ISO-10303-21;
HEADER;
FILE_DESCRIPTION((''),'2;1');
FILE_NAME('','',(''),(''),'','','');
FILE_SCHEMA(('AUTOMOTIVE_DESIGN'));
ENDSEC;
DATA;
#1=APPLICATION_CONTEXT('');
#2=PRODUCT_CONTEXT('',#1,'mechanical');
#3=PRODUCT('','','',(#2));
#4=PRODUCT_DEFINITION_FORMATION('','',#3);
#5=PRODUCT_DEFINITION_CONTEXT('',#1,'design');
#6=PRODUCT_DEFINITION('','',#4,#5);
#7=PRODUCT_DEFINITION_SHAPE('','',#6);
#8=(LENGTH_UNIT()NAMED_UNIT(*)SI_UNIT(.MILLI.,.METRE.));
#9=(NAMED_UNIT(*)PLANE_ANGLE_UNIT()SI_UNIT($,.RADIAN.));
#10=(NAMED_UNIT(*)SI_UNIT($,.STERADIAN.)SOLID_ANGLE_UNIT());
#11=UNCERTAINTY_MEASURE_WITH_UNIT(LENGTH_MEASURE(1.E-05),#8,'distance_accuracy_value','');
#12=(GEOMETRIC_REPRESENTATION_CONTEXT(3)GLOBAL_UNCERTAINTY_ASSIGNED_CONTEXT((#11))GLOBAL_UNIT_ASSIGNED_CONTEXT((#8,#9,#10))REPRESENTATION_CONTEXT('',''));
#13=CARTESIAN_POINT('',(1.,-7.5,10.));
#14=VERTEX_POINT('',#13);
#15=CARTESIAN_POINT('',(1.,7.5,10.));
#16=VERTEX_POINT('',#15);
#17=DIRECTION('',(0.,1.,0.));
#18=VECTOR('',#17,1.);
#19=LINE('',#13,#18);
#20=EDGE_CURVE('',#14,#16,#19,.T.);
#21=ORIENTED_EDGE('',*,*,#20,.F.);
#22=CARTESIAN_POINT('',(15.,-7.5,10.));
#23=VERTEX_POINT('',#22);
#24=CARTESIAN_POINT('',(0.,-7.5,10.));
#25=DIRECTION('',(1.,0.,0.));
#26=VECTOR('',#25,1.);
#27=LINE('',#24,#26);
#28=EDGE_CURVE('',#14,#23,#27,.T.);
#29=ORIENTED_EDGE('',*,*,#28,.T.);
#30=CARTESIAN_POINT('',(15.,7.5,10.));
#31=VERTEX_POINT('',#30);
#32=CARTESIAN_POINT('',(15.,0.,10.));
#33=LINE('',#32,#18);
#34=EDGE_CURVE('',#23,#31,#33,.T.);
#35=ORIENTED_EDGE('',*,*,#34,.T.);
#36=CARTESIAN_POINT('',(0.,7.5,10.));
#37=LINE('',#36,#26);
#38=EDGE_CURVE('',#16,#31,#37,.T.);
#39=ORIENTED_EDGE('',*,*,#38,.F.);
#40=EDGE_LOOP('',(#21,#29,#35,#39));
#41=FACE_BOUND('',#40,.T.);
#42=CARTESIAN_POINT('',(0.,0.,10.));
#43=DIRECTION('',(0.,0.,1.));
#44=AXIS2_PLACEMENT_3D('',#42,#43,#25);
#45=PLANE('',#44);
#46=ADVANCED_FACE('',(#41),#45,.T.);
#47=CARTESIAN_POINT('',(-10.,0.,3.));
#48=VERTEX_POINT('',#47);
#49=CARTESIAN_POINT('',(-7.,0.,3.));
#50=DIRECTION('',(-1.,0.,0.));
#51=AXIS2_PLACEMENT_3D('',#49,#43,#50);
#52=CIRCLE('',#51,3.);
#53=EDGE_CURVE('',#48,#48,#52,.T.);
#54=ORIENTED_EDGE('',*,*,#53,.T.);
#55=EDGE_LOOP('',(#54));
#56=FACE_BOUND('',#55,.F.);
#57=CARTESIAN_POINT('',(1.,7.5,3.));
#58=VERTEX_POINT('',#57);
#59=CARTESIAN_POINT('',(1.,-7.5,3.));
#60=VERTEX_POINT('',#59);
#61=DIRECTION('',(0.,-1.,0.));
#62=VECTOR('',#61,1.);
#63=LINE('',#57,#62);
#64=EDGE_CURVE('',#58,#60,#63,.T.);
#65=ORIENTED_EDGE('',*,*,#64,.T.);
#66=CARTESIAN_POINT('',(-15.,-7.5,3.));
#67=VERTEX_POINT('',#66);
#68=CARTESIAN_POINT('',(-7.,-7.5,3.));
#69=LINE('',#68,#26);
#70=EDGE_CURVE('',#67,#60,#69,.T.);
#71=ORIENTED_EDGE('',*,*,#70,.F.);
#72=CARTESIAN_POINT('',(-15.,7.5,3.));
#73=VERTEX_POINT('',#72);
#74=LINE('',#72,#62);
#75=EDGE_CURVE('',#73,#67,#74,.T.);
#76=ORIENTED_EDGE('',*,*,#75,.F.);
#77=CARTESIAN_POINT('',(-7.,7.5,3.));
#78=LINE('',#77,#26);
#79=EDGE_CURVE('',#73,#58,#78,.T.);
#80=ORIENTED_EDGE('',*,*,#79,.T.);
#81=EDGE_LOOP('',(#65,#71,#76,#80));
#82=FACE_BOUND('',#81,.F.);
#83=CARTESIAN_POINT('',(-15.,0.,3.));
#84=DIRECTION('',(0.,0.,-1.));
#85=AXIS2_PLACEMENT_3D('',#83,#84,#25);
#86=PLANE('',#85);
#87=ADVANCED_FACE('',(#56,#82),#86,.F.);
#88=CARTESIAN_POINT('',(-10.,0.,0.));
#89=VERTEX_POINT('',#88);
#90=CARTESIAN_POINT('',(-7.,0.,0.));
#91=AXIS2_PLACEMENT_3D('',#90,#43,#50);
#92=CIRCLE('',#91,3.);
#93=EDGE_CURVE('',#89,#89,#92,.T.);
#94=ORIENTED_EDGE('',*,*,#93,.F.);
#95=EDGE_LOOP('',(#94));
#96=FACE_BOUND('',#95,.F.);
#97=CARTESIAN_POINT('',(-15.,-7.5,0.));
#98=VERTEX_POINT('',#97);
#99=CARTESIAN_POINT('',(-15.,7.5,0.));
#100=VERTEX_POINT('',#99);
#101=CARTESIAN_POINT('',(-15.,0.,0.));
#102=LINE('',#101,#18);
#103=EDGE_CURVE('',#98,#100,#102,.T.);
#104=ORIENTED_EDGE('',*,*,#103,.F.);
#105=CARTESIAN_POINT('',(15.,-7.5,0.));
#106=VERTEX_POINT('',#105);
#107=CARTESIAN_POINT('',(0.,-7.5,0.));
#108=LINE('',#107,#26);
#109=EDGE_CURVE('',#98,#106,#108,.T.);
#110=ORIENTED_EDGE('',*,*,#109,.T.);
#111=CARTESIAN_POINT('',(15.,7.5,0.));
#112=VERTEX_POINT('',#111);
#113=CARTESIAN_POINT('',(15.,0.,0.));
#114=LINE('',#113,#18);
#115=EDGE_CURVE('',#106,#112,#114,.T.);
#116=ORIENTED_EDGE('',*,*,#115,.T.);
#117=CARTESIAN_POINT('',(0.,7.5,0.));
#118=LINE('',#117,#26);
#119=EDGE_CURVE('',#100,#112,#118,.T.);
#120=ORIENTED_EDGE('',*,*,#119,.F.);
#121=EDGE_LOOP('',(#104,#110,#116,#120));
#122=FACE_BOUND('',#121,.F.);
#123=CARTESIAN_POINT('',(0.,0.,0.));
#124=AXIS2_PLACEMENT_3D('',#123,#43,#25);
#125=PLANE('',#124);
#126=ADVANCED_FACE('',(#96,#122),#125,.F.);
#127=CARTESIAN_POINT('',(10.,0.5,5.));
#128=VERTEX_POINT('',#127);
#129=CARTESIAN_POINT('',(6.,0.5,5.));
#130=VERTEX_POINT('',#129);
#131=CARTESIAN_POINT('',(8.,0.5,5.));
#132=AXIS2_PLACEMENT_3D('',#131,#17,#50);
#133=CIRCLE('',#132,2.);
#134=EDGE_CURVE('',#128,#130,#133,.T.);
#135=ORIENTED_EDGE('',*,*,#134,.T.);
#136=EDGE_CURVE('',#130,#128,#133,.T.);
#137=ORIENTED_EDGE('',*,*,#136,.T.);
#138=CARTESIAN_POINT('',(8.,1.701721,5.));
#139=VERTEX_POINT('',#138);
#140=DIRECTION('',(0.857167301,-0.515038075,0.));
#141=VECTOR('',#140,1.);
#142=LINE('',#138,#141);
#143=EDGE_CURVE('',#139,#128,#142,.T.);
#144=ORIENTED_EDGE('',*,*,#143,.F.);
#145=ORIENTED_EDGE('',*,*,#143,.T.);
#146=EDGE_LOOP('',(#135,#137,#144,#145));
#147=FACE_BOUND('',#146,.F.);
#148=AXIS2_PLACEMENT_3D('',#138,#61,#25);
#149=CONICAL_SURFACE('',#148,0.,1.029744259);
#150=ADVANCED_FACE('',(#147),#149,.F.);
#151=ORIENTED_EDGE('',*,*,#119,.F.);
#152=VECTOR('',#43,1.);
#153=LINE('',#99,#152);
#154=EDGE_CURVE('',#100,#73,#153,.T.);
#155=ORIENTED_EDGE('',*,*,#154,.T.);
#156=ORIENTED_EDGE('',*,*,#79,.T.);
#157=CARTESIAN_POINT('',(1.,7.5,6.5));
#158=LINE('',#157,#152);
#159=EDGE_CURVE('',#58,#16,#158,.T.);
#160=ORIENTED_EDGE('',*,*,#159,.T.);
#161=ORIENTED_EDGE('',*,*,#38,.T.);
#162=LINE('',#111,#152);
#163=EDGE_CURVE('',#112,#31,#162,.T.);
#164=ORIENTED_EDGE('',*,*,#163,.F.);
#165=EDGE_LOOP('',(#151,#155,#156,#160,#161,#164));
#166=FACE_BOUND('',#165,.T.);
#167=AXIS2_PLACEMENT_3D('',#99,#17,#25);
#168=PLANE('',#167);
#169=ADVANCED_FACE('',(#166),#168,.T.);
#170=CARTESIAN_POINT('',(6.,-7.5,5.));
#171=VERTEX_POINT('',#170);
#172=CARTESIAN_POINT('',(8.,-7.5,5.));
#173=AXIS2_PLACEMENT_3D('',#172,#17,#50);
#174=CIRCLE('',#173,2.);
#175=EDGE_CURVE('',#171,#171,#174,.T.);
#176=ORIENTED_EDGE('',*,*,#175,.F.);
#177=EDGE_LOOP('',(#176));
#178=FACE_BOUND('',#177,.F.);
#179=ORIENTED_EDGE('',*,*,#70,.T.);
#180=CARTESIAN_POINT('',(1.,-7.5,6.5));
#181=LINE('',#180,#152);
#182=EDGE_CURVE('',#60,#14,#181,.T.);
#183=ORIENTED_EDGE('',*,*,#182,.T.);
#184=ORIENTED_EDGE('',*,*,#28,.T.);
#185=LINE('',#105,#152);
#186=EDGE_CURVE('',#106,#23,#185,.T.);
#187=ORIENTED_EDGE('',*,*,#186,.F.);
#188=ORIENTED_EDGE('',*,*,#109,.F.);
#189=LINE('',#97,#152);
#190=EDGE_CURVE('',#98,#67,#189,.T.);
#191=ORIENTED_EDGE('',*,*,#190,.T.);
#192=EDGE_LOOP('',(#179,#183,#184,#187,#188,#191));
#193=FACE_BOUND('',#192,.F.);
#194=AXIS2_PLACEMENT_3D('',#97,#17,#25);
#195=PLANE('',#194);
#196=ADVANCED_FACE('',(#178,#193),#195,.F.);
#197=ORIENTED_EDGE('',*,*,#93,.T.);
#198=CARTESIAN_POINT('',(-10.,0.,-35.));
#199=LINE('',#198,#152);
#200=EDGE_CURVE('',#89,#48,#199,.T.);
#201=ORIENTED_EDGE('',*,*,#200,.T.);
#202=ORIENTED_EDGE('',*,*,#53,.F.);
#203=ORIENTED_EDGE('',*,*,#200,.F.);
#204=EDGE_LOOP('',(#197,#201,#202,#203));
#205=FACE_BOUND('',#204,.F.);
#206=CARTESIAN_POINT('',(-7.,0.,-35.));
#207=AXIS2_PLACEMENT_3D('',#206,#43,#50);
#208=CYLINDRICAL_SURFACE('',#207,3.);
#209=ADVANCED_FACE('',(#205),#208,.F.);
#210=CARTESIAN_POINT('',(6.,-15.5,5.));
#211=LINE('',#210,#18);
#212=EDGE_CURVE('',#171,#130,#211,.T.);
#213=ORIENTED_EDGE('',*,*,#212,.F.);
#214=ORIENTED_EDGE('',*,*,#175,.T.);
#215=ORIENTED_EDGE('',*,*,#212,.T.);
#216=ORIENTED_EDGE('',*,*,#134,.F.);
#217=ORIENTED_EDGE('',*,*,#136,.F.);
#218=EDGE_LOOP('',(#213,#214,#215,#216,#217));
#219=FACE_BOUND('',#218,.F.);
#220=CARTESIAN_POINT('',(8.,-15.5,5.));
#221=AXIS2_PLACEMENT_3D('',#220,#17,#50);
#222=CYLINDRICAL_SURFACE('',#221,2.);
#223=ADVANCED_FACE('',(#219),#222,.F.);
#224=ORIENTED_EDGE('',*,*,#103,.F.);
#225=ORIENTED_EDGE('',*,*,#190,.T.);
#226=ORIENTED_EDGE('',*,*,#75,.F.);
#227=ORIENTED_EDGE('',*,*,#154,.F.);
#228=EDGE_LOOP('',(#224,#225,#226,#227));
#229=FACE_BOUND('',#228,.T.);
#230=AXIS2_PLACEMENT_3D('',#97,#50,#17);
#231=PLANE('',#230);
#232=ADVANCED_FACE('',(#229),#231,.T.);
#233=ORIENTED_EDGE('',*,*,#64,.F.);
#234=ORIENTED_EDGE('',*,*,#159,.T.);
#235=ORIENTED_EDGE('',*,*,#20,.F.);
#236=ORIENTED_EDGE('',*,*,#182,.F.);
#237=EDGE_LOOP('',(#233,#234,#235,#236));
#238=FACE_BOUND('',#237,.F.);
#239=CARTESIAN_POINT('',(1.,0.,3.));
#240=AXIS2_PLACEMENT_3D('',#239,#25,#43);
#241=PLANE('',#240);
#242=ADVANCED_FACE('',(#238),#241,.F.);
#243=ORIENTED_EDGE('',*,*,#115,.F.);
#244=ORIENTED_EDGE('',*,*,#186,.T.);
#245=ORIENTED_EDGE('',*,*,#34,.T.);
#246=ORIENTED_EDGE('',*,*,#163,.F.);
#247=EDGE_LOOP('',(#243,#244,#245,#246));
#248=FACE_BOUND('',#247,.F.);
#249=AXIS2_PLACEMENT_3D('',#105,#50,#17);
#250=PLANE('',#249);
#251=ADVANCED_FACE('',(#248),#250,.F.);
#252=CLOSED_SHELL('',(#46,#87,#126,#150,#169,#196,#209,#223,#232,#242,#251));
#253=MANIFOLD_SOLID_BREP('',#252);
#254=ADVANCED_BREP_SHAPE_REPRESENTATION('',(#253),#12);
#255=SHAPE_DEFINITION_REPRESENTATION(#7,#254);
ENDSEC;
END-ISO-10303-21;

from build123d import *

# Parameters (mm, degrees)
F0_W     = 30
F0_H     = 15
F1_DEPTH = 10
F2_D     = 6
F4_D     = 4
F4_DEPTH = 8
F4_TIP   = 1.2017212381
F5_W     = 16
F5_H     = 7
F6_DEPTH = 7.5


with BuildPart() as f1:
    # F0 (on Top) → F1 (new body)
    with BuildSketch(Plane.XY):
        Rectangle(F0_W, F0_H)
    extrude(amount=F1_DEPTH)

    # F2 (through all)
    with Locations(Plane(origin=(0, 0, 0), x_dir=(1, 0, 0), z_dir=(0, 0, -1))):
        with Locations((-7, 0)):
            Hole(F2_D / 2)

    # F4
    with Locations(Plane.XZ.offset(7.5)):
        with Locations((8, 5)):
            Hole(F4_D / 2, depth=F4_DEPTH)
            with Locations((0, 0, -(F4_DEPTH + F4_TIP / 2))):  # 118° drill point
                Cone(0, F4_D / 2, F4_TIP, mode=Mode.SUBTRACT)

    # F5 (on Front) → F6 (cut, symmetric)
    with BuildSketch(Plane.XZ):
        with Locations((-7, 6.5)):
            Rectangle(F5_W, F5_H)
    extrude(amount=F6_DEPTH, both=True, mode=Mode.SUBTRACT)


solid = f1.part
